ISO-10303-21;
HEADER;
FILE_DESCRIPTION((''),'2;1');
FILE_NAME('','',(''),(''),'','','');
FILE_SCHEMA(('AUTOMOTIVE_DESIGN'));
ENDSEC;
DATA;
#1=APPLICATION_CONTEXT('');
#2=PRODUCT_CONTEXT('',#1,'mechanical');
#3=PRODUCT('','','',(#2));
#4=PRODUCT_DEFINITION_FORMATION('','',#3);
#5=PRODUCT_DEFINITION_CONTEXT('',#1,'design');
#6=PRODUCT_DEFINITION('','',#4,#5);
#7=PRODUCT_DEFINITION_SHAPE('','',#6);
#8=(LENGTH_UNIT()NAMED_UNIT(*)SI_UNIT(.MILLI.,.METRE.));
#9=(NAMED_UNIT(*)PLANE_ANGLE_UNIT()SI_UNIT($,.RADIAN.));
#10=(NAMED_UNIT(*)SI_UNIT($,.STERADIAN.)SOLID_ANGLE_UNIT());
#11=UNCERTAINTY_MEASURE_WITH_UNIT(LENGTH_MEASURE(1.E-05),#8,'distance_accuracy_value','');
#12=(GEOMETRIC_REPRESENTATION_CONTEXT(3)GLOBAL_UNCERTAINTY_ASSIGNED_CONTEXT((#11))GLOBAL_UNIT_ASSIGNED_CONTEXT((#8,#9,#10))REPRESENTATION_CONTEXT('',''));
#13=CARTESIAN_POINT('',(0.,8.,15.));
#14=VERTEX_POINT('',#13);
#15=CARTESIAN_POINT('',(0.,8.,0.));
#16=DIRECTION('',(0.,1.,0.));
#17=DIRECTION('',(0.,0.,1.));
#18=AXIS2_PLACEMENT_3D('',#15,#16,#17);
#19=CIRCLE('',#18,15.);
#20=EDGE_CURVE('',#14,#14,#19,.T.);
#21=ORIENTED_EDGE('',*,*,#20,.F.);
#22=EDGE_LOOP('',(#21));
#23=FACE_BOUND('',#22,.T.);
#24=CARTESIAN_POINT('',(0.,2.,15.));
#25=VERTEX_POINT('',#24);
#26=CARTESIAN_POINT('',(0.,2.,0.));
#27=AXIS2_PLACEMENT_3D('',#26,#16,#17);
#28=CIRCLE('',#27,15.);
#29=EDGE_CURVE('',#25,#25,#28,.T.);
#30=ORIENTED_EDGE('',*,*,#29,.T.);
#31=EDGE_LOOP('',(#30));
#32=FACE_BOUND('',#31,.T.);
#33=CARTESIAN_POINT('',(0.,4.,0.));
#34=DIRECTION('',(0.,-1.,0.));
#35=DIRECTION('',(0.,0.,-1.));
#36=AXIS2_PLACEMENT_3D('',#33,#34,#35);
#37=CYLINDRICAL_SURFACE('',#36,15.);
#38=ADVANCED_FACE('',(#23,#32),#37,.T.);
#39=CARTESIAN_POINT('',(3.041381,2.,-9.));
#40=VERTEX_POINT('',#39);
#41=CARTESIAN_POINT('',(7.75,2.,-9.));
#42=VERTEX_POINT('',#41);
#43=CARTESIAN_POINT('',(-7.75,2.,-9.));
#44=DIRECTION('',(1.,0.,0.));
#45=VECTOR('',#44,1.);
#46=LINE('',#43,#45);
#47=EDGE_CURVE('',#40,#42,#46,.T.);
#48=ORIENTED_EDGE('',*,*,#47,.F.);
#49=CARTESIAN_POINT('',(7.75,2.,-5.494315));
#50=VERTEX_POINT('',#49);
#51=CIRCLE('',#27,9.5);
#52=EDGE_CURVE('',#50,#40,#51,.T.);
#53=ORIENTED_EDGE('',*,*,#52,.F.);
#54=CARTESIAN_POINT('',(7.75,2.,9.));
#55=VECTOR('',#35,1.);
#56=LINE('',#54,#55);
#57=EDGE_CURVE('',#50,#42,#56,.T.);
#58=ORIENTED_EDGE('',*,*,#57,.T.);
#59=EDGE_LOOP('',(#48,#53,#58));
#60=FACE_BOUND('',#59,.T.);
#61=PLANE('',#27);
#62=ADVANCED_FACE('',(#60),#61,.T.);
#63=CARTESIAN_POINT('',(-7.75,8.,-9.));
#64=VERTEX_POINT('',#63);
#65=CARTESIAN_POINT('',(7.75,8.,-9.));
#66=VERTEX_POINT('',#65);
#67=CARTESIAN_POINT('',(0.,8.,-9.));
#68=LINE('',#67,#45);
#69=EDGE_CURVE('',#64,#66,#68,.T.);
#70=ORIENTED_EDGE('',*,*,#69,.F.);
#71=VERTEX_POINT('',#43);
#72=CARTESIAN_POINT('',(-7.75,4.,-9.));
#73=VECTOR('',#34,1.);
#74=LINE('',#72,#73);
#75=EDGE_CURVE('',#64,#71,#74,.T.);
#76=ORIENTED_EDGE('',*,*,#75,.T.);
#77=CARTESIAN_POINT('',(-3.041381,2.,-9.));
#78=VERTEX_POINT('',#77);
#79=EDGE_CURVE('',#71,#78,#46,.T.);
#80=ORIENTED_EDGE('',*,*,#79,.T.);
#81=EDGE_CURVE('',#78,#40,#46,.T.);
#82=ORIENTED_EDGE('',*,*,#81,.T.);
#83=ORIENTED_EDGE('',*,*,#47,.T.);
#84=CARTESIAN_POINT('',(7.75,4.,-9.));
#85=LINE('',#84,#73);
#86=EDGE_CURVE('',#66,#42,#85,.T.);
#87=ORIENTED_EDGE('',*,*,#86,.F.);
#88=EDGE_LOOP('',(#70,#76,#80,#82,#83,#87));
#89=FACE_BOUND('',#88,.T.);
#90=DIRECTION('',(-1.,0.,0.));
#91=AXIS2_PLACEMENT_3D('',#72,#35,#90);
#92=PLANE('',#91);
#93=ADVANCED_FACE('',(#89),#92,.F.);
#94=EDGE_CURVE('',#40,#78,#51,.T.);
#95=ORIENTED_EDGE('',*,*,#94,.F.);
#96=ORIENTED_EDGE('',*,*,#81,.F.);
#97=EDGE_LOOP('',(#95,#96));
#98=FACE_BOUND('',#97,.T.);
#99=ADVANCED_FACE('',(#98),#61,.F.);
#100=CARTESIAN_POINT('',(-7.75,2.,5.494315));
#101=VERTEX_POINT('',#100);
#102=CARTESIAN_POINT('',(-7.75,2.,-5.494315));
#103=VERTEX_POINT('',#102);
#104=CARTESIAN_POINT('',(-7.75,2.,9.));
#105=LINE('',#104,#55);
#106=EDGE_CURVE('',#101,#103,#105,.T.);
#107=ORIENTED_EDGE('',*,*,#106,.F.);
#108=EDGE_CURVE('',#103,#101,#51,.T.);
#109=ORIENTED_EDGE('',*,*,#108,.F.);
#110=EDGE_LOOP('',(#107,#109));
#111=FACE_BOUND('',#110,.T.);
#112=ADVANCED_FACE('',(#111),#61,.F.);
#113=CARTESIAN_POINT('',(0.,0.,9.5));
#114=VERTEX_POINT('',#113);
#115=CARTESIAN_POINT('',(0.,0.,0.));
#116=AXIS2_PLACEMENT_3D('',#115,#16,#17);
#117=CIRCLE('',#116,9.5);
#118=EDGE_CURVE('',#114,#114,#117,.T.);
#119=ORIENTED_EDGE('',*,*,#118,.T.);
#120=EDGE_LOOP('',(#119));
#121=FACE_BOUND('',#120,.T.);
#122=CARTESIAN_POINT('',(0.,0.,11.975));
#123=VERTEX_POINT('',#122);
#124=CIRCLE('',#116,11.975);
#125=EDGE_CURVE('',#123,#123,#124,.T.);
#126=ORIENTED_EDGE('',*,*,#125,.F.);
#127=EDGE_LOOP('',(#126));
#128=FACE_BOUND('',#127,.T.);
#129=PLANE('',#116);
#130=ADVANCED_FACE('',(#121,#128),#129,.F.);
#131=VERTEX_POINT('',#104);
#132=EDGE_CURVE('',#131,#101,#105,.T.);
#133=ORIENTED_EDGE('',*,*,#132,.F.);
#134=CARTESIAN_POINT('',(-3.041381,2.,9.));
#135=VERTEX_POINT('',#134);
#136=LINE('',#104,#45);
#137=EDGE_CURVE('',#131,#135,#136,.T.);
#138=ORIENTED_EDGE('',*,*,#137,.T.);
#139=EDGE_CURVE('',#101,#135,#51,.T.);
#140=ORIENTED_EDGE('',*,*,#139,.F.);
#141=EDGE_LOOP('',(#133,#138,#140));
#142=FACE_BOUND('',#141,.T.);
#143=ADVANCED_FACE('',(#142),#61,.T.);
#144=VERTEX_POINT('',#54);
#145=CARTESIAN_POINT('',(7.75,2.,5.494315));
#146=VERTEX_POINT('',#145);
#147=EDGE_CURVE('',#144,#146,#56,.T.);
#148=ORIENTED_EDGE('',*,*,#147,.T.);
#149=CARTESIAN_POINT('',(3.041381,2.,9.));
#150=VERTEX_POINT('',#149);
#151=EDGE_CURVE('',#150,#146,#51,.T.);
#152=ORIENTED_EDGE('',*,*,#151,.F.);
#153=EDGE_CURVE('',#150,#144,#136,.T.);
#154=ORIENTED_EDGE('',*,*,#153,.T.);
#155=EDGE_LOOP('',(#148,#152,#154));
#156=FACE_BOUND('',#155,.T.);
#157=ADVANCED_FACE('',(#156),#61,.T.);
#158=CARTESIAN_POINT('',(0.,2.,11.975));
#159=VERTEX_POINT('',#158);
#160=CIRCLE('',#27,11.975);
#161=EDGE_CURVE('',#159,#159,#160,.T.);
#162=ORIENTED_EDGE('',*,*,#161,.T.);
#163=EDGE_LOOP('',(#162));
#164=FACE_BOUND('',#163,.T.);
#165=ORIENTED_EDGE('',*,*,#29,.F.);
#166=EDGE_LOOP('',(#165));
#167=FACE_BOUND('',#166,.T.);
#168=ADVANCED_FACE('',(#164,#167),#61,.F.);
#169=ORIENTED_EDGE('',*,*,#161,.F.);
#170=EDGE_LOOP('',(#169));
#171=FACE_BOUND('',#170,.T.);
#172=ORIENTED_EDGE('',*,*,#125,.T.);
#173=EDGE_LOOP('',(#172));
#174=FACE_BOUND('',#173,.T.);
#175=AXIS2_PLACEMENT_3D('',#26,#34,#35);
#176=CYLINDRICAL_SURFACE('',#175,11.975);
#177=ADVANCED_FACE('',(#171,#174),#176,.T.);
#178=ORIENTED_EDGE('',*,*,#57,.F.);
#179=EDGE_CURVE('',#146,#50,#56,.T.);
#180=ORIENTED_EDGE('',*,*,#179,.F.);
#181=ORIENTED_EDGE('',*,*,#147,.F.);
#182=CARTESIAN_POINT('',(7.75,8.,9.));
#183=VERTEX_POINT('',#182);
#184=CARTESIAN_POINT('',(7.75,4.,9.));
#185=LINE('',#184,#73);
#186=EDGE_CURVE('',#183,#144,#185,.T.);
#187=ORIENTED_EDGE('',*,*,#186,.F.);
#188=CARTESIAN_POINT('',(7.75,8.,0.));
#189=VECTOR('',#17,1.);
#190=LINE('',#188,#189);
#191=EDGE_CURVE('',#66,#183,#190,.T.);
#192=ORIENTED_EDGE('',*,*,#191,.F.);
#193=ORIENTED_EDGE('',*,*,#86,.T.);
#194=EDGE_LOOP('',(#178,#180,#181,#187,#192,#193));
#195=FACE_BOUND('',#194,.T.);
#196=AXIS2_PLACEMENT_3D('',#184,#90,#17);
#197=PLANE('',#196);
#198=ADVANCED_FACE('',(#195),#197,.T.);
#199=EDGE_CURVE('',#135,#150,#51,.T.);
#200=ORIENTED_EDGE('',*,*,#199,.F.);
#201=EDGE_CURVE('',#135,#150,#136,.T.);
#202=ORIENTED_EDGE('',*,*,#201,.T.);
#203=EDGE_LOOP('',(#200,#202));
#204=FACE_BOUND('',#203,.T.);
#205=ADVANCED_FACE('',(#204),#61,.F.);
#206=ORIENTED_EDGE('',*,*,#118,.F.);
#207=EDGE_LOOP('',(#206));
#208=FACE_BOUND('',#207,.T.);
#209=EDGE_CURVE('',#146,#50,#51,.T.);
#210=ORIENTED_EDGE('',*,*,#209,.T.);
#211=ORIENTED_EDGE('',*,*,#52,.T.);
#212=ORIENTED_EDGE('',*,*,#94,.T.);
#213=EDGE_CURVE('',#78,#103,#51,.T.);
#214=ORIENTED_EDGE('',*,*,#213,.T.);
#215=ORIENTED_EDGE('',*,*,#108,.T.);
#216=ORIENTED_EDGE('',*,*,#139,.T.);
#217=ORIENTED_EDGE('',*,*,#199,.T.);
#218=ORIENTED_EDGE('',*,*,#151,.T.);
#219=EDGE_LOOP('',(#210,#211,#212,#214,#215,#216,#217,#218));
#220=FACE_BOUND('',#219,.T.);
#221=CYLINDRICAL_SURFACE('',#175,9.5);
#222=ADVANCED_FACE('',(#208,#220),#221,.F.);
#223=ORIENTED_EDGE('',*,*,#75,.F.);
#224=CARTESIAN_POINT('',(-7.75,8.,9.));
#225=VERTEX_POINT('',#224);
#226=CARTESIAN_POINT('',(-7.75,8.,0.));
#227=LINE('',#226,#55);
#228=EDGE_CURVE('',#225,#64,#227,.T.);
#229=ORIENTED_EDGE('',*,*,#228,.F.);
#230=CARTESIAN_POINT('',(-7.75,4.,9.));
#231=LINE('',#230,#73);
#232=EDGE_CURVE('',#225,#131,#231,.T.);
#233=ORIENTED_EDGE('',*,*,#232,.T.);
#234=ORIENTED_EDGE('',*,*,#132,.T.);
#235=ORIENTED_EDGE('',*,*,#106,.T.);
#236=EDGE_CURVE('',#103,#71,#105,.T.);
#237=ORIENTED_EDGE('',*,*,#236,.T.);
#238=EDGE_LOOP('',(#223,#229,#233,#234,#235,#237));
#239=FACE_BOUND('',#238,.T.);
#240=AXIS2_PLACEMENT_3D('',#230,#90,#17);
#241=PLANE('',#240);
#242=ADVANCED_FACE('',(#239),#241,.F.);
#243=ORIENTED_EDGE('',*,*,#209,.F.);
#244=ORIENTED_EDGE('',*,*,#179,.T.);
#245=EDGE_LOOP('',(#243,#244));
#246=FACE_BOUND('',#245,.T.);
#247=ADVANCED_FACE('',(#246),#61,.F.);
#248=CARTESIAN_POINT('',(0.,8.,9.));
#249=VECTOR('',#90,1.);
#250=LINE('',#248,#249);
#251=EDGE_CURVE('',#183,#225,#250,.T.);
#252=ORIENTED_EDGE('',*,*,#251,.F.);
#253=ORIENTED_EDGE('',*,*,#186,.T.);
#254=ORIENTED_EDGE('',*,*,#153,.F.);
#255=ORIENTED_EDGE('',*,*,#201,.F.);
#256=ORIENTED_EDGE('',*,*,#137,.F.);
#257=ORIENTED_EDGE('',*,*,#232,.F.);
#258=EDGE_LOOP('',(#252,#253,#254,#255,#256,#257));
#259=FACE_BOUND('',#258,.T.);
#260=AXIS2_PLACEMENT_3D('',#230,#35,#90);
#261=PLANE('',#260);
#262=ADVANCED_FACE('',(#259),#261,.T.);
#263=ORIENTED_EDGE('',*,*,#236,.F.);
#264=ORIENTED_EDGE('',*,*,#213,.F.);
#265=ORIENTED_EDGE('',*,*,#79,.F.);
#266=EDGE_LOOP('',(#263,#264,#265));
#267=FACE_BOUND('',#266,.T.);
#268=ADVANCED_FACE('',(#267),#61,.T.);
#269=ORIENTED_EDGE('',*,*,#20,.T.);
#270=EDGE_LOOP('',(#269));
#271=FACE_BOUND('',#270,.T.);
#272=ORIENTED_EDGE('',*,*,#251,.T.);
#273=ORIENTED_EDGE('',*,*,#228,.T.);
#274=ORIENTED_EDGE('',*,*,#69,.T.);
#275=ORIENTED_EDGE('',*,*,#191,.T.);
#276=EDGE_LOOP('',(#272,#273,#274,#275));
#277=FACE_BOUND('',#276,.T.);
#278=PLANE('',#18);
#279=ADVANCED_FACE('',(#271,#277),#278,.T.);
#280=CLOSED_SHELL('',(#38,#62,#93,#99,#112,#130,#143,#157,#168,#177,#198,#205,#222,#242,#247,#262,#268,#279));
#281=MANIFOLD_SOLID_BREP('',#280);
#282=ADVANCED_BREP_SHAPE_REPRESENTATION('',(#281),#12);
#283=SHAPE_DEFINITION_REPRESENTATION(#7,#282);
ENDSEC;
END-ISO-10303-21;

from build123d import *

# Parameters (mm, degrees)
ESQUISSE1_R        = 11.975
ESQUISSE1_R_2      = 9.5
BOSS_EXTRU_1_DEPTH = 2
ESQUISSE3_R        = 15
ESQUISSE3_W        = 15.5
ESQUISSE3_H        = 18
BOSS_EXTRU_5_DEPTH = 2
ESQUISSE8_R        = 15
ESQUISSE8_W        = 15.5
ESQUISSE8_H        = 18
BOSS_EXTRU_6_DEPTH = 4


with BuildPart() as part:
    # Esquisse1 → Boss.-Extru.1 (new body)
    with BuildSketch(Plane(origin=(0, 0, 0), x_dir=(1, 0, 0), z_dir=(0, 1, 0))):
        Circle(ESQUISSE1_R)
        Circle(ESQUISSE1_R_2, mode=Mode.SUBTRACT)
    extrude(amount=BOSS_EXTRU_1_DEPTH)

    # Esquisse3 → Boss.-Extru.5 (add)
    with BuildSketch(Plane(origin=(0, 2, 0), x_dir=(1, 0, 0), z_dir=(0, 1, 0))):
        Circle(ESQUISSE3_R)
        Rectangle(ESQUISSE3_W, ESQUISSE3_H, mode=Mode.SUBTRACT)
    extrude(amount=BOSS_EXTRU_5_DEPTH)

    # Esquisse8 → Boss.-Extru.6 (add)
    with BuildSketch(Plane(origin=(0, 4, 0), x_dir=(1, 0, 0), z_dir=(0, 1, 0))):
        Circle(ESQUISSE8_R)
        Rectangle(ESQUISSE8_W, ESQUISSE8_H, mode=Mode.SUBTRACT)
    extrude(amount=BOSS_EXTRU_6_DEPTH)


solid = part.part
